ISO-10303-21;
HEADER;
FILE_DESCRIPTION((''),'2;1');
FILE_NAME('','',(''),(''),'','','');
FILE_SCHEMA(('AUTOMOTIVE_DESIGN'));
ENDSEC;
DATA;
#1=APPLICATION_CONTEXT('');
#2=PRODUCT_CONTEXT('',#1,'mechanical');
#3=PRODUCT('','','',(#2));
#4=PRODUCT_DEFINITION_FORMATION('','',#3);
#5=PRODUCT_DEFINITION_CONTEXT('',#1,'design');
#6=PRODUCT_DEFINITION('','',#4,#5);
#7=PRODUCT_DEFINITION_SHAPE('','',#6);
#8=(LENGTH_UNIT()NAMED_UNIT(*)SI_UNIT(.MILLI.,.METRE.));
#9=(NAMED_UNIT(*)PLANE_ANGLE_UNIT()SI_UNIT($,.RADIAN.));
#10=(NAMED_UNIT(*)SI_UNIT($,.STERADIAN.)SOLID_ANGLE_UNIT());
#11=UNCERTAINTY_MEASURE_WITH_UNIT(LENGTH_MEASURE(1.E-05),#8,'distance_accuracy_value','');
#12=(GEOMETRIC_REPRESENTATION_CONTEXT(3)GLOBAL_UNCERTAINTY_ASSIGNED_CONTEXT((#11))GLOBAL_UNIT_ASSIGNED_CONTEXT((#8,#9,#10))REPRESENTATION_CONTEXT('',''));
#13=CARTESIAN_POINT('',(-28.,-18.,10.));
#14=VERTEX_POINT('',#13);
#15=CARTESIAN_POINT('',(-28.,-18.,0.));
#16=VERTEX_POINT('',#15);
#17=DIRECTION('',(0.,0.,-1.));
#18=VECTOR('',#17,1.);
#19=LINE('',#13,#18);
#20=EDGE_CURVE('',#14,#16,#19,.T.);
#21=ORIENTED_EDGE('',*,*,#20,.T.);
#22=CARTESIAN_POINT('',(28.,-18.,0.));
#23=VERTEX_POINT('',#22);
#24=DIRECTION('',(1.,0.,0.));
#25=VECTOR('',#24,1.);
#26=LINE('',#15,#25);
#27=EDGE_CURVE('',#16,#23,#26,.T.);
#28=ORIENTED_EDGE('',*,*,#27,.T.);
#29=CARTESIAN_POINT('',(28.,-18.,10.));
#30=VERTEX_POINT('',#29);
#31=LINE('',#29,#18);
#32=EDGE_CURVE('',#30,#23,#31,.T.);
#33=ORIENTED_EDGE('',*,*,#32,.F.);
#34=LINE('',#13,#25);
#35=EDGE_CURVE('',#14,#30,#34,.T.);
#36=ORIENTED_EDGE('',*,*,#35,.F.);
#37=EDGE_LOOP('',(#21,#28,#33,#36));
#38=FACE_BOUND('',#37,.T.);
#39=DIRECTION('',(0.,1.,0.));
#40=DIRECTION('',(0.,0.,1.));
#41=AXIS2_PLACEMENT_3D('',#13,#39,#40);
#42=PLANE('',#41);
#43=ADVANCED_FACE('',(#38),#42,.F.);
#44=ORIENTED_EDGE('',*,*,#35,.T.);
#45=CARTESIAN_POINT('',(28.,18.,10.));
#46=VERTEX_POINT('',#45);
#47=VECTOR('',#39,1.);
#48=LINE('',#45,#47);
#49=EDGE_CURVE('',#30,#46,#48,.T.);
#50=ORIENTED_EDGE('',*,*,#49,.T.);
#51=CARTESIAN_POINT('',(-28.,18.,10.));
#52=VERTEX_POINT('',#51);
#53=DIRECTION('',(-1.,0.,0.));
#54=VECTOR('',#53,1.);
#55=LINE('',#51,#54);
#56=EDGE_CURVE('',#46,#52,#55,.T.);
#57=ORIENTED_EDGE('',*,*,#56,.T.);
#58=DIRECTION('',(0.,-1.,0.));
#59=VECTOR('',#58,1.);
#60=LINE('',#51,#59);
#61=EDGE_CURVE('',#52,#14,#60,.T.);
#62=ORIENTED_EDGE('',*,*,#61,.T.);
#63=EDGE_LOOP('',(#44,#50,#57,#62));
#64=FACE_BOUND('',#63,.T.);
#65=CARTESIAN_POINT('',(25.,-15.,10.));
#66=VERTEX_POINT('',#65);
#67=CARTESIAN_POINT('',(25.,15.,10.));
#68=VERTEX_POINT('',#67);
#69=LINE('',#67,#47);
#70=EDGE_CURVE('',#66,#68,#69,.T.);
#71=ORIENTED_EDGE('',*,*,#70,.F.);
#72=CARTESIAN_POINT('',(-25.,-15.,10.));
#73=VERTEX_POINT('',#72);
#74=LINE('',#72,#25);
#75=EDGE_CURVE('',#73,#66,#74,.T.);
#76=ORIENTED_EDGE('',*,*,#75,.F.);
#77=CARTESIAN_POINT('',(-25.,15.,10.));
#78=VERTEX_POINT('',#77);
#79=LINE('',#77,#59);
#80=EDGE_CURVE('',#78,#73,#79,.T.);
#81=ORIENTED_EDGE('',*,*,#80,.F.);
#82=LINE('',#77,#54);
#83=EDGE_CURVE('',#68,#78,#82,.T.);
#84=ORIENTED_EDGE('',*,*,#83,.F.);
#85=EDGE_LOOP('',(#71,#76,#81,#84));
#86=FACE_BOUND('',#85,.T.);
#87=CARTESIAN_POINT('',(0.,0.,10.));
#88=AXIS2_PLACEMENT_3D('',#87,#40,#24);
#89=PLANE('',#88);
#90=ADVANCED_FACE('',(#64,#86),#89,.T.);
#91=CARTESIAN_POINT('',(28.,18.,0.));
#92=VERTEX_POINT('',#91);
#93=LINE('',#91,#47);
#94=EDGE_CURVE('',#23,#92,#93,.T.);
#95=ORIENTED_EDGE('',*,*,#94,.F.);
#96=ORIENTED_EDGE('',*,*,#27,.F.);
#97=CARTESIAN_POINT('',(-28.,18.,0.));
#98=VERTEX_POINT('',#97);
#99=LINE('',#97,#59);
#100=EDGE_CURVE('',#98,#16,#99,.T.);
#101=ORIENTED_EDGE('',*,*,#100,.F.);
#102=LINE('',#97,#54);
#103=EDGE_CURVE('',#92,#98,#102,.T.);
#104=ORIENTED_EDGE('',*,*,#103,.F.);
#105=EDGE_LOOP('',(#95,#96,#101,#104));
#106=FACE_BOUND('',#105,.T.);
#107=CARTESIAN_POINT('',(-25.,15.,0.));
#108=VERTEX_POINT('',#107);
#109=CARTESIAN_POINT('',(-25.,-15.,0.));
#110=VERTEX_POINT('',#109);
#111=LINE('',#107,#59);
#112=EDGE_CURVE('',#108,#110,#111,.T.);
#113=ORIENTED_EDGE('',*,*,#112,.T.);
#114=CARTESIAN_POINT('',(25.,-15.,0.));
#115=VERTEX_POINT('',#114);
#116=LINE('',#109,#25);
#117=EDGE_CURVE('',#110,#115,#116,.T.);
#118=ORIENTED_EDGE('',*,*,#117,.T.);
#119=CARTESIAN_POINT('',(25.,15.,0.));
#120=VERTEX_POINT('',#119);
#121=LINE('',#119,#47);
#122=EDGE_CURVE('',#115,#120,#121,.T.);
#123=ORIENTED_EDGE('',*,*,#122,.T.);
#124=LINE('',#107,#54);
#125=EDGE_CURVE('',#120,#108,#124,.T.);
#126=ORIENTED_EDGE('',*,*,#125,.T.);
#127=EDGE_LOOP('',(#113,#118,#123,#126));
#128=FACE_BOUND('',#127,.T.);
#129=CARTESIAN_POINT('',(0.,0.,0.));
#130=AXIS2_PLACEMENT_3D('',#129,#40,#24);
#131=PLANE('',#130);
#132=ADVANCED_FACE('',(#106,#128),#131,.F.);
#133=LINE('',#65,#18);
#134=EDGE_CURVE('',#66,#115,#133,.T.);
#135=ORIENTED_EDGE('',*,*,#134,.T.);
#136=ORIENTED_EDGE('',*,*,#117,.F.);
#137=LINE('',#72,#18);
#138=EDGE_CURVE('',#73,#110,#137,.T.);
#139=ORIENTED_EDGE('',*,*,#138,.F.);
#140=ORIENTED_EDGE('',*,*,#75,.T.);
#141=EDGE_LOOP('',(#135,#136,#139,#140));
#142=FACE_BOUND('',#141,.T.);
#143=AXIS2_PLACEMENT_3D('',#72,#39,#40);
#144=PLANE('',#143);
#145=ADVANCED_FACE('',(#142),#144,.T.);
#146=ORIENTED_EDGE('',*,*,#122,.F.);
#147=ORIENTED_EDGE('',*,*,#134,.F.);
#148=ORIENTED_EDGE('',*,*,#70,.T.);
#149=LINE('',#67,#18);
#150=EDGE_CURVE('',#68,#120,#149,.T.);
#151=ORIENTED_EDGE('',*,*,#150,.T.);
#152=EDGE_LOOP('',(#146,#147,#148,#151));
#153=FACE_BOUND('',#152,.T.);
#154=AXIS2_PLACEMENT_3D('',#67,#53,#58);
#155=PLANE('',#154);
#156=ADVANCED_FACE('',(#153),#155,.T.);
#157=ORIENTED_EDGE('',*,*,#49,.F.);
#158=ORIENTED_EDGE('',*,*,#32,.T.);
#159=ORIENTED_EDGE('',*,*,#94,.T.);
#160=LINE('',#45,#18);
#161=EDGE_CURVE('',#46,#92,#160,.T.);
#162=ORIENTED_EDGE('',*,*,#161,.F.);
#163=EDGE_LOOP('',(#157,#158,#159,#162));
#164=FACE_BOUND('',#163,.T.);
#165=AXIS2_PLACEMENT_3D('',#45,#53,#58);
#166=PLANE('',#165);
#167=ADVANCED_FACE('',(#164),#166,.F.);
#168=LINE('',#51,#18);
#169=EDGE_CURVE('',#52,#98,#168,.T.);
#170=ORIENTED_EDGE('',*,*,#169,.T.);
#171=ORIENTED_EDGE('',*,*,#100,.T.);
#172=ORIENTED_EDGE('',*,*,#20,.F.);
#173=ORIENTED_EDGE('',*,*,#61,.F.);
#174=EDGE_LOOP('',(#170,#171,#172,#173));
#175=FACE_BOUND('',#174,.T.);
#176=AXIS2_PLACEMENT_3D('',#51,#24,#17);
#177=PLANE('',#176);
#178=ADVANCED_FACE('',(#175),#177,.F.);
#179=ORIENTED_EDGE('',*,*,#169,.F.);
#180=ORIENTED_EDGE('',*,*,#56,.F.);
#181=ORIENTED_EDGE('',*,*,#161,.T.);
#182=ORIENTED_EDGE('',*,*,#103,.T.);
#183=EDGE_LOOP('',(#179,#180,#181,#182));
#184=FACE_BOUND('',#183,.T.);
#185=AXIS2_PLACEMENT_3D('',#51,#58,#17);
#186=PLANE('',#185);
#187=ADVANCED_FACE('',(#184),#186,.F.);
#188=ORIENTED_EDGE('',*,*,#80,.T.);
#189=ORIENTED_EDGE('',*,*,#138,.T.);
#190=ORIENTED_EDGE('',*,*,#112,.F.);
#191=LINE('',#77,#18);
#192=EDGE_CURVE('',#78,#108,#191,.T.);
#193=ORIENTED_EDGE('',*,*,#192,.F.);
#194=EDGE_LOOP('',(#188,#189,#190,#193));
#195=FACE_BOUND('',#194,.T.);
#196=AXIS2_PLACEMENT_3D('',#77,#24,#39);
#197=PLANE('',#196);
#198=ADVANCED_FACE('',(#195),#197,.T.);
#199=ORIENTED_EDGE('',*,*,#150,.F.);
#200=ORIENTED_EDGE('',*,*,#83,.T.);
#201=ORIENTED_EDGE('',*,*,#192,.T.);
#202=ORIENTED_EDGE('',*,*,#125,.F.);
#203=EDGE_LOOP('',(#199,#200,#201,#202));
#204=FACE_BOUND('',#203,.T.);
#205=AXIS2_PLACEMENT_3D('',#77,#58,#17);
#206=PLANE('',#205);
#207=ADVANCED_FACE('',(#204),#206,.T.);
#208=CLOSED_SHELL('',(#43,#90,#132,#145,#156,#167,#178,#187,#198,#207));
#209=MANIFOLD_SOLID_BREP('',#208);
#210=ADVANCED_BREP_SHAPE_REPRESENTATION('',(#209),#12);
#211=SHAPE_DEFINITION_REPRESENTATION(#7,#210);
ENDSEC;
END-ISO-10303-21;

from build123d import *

# Parameters (mm, degrees)
SKETCH_1_W      = 56
SKETCH_1_H      = 36
SKETCH_1_W_2    = 50
SKETCH_1_H_2    = 30
EXTRUDE_1_DEPTH = 10


with BuildPart() as part:
    # 草圖1 → 填料-伸長1 (new body)
    with BuildSketch(Plane.XY):
        Rectangle(SKETCH_1_W, SKETCH_1_H)
        Rectangle(SKETCH_1_W_2, SKETCH_1_H_2, mode=Mode.SUBTRACT)
    extrude(amount=EXTRUDE_1_DEPTH)


solid = part.part
